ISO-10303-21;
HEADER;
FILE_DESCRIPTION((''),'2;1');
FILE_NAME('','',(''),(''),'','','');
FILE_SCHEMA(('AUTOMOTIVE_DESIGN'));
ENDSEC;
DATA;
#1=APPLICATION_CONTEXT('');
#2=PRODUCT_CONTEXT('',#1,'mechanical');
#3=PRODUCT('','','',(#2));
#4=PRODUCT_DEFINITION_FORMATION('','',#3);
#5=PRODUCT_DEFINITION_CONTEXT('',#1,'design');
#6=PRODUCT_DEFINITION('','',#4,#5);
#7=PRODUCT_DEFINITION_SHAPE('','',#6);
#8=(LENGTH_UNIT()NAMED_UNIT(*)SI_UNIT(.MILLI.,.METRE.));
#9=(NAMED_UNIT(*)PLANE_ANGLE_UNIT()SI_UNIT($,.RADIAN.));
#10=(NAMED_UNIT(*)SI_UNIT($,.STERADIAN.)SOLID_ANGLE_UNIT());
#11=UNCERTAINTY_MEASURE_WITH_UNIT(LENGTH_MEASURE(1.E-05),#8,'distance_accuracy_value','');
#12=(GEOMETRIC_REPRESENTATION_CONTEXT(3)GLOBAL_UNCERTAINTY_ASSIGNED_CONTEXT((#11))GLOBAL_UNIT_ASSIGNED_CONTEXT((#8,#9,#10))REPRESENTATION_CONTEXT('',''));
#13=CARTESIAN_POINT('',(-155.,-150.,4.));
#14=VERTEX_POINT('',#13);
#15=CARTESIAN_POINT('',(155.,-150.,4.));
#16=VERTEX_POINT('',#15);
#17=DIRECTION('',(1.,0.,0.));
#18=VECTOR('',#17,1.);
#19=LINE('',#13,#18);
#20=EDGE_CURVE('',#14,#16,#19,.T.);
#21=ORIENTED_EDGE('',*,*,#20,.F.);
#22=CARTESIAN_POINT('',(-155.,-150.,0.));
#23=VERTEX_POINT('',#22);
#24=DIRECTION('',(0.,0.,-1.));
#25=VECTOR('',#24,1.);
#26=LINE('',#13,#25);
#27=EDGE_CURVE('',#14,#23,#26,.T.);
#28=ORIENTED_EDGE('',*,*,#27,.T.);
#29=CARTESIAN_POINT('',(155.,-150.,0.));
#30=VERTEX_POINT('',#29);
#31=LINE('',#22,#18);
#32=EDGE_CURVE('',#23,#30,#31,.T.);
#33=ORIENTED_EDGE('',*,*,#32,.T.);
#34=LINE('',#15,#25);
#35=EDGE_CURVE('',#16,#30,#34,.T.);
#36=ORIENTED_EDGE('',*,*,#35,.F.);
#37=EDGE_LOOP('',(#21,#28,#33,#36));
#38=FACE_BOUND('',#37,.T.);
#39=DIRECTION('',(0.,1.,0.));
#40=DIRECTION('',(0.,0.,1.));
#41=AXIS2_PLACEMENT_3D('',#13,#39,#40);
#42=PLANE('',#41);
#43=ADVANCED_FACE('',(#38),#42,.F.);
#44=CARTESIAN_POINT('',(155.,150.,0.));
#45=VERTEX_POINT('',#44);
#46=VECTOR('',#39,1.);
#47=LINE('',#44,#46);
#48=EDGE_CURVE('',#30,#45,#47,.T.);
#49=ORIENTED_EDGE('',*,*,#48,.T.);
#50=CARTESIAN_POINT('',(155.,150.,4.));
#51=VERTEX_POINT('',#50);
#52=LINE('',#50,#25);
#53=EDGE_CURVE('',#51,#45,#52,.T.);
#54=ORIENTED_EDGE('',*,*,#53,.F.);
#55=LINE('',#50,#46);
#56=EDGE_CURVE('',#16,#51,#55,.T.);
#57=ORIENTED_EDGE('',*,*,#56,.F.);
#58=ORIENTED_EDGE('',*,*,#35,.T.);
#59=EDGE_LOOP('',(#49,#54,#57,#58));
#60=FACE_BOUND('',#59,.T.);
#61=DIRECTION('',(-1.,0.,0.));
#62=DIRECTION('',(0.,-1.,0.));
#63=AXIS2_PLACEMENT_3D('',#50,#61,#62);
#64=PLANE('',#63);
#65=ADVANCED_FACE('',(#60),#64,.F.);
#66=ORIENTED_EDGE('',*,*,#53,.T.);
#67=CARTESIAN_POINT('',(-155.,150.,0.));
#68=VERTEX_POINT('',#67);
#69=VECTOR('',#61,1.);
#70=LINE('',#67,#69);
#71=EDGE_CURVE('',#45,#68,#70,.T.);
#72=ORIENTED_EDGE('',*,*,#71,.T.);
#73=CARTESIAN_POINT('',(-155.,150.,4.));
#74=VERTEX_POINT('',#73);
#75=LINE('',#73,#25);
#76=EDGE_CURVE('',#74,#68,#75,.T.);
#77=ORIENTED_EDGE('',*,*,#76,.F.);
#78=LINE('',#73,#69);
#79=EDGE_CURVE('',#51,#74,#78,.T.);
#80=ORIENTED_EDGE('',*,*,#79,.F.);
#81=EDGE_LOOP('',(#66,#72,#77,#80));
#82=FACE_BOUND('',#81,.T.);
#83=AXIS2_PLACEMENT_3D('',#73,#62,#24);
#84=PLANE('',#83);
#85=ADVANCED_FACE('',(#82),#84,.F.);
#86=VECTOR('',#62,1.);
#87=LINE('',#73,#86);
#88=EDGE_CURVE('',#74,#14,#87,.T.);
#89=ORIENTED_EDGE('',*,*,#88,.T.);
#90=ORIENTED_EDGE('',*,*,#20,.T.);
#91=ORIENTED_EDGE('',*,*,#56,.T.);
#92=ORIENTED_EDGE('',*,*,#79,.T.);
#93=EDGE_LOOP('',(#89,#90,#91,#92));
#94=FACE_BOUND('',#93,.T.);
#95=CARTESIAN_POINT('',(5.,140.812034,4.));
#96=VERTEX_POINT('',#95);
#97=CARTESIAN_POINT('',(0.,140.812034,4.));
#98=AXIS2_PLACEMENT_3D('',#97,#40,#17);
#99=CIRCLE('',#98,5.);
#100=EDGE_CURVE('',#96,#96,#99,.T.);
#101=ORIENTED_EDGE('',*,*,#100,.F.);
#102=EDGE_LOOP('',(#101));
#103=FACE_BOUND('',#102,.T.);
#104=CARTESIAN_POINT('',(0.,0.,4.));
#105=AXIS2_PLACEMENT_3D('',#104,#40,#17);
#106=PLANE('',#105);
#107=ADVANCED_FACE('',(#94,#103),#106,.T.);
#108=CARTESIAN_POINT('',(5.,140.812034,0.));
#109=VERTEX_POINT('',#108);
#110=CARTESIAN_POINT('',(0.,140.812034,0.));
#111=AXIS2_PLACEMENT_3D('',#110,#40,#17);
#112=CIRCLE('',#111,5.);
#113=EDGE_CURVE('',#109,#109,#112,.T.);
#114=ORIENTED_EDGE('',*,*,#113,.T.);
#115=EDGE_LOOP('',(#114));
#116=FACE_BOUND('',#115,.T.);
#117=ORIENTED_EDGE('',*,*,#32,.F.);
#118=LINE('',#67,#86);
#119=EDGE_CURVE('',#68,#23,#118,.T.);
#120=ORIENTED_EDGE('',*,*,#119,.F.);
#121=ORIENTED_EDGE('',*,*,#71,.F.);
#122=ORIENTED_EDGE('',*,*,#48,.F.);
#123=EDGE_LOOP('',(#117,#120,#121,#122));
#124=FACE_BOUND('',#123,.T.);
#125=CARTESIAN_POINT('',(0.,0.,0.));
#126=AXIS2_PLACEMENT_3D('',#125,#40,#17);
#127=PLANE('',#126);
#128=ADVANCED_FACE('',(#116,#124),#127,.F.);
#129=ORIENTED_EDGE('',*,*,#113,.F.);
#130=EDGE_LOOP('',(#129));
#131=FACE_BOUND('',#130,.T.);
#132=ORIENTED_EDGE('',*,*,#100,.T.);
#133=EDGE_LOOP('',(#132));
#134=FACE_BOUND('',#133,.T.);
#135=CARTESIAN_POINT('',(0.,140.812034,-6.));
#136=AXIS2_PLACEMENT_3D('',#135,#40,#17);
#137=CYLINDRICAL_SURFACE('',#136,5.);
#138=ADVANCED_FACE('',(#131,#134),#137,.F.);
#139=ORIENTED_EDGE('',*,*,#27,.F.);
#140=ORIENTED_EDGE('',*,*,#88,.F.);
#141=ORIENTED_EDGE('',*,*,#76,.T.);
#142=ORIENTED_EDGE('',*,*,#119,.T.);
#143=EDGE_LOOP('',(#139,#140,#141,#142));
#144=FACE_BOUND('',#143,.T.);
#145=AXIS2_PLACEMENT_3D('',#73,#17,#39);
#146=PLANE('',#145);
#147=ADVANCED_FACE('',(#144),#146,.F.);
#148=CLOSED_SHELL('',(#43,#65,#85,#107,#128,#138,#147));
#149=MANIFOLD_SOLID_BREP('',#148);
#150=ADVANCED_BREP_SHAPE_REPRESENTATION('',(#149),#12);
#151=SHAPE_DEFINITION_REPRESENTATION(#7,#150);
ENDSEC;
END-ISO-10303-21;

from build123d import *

# Parameters (mm, degrees)
SKETCH1_W           = 310
SKETCH1_H           = 300
BOSS_EXTRUDE1_DEPTH = 4
SKETCH2_R           = 5
CUT_EXTRUDE1_DEPTH  = 10


with BuildPart() as part:
    # Sketch1 → Boss-Extrude1 (new body)
    with BuildSketch(Plane.XY):
        Rectangle(SKETCH1_W, SKETCH1_H)
    extrude(amount=BOSS_EXTRUDE1_DEPTH)

    # Sketch2 → Cut-Extrude1 (cut)
    with BuildSketch(Plane.XY.offset(4)):
        with Locations((0, 140.812034156)):
            Circle(SKETCH2_R)
    extrude(amount=-CUT_EXTRUDE1_DEPTH, mode=Mode.SUBTRACT)


solid = part.part
